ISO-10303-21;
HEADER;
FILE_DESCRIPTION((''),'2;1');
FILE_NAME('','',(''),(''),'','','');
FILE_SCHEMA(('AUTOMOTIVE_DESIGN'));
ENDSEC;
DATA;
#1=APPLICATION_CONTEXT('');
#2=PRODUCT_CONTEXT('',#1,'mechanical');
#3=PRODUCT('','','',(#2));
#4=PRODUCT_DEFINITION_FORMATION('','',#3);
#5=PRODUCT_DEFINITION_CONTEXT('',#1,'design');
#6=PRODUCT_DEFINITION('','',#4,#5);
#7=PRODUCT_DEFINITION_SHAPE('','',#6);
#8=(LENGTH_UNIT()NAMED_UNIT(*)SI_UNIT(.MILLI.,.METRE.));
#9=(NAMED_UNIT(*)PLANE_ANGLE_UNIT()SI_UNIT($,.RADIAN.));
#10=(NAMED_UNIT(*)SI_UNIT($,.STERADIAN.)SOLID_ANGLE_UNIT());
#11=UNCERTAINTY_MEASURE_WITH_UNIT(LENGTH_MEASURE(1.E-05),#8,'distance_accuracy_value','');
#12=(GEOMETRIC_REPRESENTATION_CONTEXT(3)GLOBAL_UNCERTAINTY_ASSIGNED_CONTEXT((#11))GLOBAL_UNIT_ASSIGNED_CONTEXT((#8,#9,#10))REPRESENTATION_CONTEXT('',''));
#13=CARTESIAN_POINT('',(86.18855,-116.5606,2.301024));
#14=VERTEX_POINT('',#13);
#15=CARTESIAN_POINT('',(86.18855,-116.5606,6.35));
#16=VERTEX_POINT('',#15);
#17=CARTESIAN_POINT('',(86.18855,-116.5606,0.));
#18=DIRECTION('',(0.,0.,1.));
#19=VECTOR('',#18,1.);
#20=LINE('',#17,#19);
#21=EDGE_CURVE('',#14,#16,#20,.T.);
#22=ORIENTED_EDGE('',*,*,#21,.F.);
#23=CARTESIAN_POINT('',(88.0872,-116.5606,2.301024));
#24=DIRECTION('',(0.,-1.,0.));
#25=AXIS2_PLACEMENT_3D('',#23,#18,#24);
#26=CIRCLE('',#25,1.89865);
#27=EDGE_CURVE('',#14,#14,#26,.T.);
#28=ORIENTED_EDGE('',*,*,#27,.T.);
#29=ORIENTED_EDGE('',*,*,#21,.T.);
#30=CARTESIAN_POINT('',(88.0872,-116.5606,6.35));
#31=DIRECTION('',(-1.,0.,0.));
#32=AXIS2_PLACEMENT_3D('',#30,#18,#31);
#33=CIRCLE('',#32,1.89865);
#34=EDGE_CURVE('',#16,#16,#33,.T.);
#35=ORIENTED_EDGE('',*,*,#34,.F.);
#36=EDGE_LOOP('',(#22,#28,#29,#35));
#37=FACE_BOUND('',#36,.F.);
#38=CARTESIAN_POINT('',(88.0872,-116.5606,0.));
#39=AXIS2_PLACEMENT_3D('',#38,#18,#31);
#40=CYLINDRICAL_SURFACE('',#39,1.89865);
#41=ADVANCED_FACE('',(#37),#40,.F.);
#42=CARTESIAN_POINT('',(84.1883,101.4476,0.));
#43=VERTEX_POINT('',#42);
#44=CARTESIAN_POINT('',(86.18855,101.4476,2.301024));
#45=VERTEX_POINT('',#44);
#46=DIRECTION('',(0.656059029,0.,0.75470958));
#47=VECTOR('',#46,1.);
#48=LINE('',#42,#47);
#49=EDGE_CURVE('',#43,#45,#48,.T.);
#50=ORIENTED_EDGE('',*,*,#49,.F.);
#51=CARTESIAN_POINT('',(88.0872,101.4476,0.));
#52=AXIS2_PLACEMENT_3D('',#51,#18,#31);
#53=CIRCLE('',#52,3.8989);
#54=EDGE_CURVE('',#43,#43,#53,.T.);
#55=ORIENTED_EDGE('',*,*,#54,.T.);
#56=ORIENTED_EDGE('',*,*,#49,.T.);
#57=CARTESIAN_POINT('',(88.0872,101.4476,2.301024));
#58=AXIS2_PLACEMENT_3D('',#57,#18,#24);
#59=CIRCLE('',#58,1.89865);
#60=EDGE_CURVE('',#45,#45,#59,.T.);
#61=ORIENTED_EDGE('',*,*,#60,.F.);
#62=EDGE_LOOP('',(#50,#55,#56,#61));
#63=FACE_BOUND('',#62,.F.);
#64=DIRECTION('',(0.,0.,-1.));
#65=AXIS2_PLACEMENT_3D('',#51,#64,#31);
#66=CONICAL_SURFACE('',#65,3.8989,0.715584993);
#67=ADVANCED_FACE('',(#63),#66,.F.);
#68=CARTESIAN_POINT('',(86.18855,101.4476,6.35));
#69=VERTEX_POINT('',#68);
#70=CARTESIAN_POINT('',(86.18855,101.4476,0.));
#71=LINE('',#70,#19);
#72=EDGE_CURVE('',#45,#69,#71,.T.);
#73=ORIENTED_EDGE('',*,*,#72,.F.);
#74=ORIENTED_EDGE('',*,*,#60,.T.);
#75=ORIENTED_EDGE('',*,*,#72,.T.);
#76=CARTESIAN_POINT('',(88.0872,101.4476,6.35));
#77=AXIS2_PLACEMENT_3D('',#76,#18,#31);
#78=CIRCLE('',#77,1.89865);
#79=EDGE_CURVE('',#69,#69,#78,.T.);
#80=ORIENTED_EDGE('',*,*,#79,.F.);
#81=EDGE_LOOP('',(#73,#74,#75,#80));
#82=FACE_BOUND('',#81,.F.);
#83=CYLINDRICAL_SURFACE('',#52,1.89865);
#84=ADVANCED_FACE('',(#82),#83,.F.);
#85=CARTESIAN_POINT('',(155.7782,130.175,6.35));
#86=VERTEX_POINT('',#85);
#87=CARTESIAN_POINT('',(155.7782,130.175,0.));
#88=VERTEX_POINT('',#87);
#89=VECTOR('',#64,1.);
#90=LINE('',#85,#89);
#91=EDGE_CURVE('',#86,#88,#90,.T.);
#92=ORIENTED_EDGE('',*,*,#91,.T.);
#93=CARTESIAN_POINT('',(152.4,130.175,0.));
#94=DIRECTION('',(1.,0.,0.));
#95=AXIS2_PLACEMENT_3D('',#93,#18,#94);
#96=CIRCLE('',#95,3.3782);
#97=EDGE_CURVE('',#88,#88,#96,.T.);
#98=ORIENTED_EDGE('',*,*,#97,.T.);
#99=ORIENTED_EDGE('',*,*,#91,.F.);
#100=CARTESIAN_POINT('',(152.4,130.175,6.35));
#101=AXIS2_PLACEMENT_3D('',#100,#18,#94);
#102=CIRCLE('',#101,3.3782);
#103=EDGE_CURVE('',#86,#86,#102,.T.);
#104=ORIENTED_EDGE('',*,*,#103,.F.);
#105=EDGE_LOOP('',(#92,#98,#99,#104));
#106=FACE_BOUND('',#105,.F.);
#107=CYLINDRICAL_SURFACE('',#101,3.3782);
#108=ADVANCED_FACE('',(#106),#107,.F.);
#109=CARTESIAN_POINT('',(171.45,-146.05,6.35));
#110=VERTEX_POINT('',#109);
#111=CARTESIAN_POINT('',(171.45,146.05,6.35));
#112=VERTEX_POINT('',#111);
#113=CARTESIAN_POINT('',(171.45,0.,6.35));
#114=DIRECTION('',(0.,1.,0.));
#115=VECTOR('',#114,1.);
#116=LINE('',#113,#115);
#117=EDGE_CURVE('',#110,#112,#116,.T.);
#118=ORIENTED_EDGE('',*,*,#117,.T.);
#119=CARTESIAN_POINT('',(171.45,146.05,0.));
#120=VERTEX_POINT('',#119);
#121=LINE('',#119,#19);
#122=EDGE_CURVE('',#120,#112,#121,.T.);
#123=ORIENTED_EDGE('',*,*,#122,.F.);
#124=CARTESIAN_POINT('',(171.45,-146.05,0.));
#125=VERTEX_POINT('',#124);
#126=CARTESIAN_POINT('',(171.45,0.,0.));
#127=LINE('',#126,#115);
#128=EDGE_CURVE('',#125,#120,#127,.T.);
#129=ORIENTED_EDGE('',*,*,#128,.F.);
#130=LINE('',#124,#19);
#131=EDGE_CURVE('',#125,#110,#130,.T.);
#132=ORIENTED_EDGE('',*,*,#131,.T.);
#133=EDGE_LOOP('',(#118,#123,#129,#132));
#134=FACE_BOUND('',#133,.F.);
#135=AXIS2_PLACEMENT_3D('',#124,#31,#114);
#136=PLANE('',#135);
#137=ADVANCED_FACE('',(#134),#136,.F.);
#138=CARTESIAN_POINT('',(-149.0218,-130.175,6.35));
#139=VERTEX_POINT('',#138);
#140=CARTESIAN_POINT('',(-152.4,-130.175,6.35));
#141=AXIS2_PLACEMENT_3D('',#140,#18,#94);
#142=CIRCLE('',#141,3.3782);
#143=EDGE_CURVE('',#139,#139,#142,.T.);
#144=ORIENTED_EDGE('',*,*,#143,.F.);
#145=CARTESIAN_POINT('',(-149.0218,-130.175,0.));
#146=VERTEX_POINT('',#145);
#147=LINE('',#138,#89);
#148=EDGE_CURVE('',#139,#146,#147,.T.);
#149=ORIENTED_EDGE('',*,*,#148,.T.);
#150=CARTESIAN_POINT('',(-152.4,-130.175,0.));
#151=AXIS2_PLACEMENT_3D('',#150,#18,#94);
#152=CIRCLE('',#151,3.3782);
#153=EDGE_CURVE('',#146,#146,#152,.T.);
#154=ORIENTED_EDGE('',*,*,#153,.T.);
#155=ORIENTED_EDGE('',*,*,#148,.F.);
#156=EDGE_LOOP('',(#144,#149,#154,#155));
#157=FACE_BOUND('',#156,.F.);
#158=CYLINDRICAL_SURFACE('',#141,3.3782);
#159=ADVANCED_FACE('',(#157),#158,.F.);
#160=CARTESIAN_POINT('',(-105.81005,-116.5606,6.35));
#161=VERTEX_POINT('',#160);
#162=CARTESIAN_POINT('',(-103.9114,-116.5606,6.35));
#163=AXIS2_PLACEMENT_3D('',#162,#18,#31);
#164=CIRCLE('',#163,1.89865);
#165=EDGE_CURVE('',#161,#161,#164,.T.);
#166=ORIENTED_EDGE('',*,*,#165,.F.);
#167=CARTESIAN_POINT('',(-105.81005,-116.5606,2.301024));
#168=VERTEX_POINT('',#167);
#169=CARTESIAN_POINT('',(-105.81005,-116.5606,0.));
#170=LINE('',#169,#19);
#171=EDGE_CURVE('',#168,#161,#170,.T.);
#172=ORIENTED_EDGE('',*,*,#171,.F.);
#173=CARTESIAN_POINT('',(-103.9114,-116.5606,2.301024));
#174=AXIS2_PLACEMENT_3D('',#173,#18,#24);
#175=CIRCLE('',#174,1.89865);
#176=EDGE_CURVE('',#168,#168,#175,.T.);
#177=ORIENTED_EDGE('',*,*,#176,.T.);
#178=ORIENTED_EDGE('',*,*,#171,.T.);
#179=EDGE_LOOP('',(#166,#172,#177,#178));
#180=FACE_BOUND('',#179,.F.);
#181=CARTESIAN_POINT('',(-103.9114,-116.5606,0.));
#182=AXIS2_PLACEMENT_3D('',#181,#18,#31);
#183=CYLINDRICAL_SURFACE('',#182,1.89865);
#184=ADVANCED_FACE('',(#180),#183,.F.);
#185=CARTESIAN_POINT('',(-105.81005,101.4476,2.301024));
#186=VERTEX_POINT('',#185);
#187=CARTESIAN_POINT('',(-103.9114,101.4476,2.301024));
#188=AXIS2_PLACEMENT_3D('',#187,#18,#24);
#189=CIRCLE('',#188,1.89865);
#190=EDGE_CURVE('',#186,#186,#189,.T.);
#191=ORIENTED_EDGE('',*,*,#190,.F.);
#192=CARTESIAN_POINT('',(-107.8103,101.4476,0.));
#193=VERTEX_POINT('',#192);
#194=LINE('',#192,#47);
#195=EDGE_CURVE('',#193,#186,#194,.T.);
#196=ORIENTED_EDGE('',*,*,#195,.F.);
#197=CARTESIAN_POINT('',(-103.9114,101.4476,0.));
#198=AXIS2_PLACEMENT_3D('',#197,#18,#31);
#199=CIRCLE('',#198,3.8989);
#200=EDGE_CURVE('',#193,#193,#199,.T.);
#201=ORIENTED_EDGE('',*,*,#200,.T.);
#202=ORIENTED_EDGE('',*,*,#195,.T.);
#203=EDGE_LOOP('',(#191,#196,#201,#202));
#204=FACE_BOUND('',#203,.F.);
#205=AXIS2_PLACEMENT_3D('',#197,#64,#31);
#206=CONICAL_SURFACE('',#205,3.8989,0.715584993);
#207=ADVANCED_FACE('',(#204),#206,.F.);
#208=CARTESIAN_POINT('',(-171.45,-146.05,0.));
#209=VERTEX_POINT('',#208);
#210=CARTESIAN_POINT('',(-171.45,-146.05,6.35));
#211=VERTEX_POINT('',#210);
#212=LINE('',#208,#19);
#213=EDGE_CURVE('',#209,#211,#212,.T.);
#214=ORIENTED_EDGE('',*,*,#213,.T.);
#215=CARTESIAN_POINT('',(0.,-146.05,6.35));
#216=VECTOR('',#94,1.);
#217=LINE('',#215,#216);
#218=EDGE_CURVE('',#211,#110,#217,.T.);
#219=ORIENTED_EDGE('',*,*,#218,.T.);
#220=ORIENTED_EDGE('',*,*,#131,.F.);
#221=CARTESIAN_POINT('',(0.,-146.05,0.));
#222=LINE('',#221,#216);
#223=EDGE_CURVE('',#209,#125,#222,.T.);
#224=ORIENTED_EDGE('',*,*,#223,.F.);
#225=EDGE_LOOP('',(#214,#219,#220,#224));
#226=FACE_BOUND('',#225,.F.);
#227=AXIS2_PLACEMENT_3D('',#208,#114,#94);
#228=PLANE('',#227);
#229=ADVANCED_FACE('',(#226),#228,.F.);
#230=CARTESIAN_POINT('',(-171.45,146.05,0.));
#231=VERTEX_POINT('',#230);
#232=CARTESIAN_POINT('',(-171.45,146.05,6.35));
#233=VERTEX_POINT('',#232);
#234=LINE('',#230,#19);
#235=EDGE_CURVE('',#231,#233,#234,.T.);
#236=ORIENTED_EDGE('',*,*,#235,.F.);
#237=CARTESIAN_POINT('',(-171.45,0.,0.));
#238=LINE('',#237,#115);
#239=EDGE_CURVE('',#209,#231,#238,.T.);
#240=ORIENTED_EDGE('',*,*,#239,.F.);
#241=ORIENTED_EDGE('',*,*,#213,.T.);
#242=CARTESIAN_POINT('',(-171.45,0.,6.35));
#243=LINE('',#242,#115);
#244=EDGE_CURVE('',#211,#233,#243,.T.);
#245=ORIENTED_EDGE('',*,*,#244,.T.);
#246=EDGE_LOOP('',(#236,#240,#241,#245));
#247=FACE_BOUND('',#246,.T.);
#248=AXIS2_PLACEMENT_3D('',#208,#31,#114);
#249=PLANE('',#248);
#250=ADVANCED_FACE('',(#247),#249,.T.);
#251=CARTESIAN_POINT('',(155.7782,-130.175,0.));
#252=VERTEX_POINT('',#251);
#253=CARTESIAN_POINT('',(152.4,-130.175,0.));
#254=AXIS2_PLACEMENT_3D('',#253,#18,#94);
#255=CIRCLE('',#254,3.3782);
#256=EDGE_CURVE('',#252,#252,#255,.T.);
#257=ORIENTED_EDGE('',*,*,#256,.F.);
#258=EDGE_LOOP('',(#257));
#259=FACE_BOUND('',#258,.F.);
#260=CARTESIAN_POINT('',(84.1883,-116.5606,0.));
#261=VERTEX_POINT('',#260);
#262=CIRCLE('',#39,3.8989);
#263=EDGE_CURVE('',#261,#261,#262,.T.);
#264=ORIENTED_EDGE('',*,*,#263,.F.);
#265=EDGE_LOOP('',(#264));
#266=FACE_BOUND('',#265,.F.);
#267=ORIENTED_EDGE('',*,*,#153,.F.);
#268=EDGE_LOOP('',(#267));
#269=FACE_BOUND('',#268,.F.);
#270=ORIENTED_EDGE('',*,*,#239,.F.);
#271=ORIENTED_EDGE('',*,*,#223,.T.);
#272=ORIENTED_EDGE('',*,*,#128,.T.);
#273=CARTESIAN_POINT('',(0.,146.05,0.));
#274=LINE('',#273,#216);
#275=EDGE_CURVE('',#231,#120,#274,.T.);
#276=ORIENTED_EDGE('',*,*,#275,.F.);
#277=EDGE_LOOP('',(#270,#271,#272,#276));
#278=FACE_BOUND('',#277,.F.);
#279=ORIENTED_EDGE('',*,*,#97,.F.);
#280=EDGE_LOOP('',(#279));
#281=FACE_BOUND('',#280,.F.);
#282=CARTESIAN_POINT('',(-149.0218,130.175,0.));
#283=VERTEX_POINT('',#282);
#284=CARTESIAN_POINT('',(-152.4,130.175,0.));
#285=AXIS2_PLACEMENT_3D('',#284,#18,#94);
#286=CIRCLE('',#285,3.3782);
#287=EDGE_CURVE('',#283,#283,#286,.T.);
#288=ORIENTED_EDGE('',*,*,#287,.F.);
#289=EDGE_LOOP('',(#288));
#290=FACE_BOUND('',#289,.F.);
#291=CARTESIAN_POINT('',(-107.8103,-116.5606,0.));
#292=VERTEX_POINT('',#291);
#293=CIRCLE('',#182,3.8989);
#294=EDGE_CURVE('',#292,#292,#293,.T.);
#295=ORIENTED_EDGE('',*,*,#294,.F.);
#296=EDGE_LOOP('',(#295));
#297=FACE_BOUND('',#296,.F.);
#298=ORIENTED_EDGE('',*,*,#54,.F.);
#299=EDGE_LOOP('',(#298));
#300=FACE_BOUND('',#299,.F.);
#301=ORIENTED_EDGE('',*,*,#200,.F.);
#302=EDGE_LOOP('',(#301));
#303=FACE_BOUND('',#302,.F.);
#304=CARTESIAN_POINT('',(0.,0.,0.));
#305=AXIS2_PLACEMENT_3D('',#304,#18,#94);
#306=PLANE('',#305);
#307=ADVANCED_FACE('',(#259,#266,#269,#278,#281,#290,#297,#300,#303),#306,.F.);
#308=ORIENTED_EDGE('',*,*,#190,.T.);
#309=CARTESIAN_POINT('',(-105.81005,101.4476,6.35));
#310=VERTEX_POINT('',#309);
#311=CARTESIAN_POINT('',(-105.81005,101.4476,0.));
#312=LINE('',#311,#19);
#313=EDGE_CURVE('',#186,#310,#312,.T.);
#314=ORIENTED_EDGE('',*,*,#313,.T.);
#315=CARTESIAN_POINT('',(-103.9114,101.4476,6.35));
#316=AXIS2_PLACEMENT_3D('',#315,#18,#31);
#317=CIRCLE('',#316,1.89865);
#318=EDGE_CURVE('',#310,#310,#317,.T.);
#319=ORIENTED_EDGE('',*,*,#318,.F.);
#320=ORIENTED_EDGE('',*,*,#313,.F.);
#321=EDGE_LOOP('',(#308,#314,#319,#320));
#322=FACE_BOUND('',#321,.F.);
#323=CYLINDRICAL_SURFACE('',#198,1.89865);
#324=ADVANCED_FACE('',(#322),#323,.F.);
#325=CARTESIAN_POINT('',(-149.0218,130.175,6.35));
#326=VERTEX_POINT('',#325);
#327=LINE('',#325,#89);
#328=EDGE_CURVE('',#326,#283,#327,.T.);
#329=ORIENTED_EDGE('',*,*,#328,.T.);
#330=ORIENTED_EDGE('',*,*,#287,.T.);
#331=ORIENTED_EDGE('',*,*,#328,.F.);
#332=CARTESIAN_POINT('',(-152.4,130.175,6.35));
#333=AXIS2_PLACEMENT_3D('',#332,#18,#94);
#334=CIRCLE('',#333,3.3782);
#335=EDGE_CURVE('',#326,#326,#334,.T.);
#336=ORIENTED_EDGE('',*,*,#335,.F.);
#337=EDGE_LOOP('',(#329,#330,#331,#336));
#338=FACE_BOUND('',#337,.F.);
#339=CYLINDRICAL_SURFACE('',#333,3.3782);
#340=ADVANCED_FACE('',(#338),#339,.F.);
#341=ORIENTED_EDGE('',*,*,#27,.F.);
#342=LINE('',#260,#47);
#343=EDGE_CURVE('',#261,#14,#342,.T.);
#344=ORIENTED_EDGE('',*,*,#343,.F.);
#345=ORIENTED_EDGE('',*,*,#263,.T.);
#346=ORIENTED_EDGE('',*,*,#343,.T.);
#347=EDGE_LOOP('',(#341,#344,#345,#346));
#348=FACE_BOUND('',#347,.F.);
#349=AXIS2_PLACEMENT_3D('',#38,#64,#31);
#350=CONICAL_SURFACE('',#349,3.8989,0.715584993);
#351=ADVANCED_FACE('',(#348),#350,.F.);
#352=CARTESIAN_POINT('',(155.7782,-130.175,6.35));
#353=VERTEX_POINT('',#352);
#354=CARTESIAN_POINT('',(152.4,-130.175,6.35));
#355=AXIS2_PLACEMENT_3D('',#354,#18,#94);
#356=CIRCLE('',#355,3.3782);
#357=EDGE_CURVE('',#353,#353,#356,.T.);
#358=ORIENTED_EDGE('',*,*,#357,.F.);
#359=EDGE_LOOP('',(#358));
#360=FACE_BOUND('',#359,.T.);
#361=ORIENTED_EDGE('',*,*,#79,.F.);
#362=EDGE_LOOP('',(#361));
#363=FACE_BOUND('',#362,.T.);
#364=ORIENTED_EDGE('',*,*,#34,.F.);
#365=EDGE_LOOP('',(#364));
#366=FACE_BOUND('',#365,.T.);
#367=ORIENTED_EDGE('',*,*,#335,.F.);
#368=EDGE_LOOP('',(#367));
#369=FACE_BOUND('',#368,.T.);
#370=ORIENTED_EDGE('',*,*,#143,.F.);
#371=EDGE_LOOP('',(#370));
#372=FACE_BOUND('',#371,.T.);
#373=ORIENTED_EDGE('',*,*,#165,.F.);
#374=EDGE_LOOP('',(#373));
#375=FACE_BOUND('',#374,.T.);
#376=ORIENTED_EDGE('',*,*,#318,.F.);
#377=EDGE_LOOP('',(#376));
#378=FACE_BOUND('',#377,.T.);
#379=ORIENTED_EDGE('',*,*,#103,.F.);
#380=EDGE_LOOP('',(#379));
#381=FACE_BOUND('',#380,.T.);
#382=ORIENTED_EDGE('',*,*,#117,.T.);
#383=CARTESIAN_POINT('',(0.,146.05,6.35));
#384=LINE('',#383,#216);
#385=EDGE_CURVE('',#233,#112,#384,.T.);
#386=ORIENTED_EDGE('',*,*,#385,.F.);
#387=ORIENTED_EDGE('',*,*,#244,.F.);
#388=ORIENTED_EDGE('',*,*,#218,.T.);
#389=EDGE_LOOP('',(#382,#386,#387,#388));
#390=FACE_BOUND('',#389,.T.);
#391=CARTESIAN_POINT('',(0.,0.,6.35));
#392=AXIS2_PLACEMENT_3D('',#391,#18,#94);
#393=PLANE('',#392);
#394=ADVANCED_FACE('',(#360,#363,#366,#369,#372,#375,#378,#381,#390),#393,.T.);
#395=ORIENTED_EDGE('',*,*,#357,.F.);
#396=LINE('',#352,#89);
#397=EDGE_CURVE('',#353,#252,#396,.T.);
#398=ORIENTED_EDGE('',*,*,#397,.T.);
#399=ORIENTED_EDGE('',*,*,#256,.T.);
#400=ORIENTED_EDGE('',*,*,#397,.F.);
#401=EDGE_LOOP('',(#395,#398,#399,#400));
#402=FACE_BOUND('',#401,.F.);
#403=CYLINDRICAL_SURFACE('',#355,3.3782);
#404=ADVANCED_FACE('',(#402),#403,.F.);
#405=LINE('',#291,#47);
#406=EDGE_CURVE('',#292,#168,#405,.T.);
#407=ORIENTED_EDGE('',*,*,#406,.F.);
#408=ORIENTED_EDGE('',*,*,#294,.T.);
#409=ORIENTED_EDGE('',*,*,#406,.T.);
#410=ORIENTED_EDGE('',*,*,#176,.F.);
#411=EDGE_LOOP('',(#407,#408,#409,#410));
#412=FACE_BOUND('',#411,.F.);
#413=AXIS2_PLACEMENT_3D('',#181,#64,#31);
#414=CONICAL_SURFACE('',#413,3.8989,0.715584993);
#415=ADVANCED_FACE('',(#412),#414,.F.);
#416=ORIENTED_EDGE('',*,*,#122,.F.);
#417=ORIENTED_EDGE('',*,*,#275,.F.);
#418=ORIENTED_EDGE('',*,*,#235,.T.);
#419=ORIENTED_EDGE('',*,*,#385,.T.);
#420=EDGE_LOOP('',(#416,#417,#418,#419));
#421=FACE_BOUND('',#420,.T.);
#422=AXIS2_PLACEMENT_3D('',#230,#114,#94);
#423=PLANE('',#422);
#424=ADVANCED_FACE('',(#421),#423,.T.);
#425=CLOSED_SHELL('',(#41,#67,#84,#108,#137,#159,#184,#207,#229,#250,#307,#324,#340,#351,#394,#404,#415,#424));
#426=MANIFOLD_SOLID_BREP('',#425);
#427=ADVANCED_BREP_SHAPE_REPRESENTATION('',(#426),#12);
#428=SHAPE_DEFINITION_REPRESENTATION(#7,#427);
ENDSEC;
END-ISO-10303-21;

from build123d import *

# Parameters (mm, degrees)
F0_W           = 342.9
F0_H           = 292.1
F1_DEPTH       = 6.35
F2_R           = 3.3782
F3_DEPTH       = 6.351
F5_D           = 3.7973
F5_CSINK_D     = 7.7978
F5_CSINK_ANGLE = 82


with BuildPart() as f1:
    # F0 (on Top) → F1 (new body)
    with BuildSketch(Plane.XY):
        Rectangle(F0_W, F0_H)
    extrude(amount=F1_DEPTH)

    # F2 (on face) → F3 (cut, through all)
    with BuildSketch(Plane.XY.offset(6.35)):
        with Locations((-152.4, 130.175)):
            Circle(F2_R)
        with Locations((152.4, 130.175)):
            Circle(F2_R)
        with Locations((152.4, -130.175)):
            Circle(F2_R)
        with Locations((-152.4, -130.175)):
            Circle(F2_R)
    extrude(amount=-F3_DEPTH, mode=Mode.SUBTRACT)

    # F5 (through all)
    with Locations(Plane(origin=(0, 0, 0), x_dir=(1, 0, 0), z_dir=(0, 0, -1))):
        with Locations((-103.9114, 116.5606), (88.0872, 116.5606), (88.0872, -101.4476), (-103.9114, -101.4476)):
            CounterSinkHole(F5_D / 2, F5_CSINK_D / 2, counter_sink_angle=F5_CSINK_ANGLE)


solid = f1.part
